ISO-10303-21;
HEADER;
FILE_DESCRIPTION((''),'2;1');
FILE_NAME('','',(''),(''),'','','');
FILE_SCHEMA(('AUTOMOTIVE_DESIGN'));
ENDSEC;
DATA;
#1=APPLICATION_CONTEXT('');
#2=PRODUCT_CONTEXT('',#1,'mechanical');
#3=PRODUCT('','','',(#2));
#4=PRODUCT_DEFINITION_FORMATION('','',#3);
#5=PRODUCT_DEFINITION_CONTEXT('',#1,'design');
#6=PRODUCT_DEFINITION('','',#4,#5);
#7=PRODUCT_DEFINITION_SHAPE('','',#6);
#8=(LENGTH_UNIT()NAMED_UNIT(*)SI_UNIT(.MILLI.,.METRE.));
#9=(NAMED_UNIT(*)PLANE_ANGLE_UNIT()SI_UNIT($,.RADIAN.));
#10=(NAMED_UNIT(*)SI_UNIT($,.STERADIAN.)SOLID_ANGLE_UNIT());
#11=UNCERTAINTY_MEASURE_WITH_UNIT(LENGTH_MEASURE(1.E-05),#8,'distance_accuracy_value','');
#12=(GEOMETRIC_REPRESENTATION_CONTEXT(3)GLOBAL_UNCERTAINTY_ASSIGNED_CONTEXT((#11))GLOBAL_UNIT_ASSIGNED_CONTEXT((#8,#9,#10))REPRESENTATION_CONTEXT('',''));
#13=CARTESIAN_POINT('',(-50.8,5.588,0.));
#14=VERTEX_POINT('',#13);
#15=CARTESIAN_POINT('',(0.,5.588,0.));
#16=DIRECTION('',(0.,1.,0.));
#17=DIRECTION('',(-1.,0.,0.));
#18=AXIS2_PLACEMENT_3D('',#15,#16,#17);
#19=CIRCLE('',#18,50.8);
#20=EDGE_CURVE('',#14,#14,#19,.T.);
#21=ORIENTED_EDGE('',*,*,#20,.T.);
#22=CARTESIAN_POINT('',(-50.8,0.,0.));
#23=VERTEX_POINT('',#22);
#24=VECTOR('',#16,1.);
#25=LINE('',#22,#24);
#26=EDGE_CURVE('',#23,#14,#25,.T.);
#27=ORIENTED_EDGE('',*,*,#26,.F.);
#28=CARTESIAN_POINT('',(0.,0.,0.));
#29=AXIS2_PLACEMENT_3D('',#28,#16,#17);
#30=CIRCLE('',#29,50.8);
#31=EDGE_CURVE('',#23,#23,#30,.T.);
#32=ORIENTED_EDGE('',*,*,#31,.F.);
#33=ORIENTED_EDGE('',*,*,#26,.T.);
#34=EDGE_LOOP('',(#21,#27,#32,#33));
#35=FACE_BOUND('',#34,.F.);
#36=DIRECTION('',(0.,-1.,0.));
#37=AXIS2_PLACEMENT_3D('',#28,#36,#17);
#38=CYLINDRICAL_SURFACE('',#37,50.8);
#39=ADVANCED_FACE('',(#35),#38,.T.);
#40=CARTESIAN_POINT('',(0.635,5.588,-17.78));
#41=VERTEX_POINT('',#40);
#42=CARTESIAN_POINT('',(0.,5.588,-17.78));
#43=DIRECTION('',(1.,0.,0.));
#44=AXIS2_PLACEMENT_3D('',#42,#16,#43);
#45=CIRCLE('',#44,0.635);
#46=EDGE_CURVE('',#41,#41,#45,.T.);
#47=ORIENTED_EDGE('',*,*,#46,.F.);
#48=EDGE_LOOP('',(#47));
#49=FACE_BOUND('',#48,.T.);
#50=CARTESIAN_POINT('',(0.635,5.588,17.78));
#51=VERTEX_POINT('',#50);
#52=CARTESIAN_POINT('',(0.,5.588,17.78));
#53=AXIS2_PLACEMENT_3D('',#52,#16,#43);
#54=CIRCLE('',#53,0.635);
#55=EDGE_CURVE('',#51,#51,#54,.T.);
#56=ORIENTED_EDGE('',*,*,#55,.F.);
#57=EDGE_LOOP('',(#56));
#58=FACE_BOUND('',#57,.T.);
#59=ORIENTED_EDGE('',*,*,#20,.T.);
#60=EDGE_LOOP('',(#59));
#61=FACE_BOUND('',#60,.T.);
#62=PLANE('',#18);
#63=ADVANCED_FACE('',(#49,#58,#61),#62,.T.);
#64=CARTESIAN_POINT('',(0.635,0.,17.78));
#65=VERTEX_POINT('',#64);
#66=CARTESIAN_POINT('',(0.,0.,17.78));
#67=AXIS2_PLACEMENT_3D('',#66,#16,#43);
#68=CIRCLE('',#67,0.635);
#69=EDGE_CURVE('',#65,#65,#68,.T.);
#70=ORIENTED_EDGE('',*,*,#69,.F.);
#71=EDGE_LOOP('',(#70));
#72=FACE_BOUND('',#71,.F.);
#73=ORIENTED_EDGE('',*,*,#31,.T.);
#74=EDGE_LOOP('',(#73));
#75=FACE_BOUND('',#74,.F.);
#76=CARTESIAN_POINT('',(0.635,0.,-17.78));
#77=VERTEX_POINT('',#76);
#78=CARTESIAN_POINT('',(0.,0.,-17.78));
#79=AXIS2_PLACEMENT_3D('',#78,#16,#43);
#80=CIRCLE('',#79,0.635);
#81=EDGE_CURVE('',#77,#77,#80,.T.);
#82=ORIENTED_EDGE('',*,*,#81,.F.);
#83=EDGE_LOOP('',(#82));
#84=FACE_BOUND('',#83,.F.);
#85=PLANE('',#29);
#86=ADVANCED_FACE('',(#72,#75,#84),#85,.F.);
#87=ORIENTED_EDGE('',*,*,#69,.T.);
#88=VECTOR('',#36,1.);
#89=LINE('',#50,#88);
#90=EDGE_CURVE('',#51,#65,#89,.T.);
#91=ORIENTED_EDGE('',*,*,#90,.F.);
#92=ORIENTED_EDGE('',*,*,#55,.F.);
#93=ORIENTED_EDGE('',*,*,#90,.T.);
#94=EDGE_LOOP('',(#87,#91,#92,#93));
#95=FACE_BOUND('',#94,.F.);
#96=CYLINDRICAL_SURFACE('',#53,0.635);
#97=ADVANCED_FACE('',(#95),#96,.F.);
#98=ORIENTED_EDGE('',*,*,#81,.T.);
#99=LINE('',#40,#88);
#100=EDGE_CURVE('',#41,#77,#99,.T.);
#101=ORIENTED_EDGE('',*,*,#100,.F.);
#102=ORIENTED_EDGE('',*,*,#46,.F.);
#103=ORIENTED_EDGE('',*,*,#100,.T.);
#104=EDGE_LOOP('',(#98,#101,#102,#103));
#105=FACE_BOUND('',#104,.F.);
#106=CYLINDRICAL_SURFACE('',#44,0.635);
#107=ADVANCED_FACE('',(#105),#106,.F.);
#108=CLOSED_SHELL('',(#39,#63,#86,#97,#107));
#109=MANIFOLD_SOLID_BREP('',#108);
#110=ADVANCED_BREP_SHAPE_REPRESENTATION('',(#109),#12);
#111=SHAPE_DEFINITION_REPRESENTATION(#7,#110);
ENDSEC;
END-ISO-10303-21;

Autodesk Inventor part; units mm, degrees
ref_plane "YZ Plane" through (0, 0, 0) normal (1, 0, 0) x (0, 1, 0)
ref_plane "XZ Plane" through (0, 0, 0) normal (0, 1, 0) x (-1, 0, 0)
ref_plane "XY Plane" through (0, 0, 0) normal (0, 0, 1) x (1, 0, 0)
sketch "Sketch1" plane through (0, 0, 0) normal (0, 1, 0) x (-1, 0, 0)
  circle A0 centre (0, 0) radius 50.8
  dimension "d0" = 101.6
extrude "Extrusion1" add sketch "Sketch1" along normal blind 5.588
sketch "Sketch2" plane through (0, 5.588, 0) normal (0, 1, 0) x (1, 0, 0)
  circle A0 centre (0, 17.78) radius 0.635
  point P0 (0, 0)
  dimension "d3" = 1.27
extrude "Extrusion2" cut sketch "Sketch2" against normal blind 5.588
sketch "Sketch3" plane through (0, 5.588, 0) normal (0, 1, 0) x (1, 0, 0)
  point P0 (0, 0)
sketch "Sketch4" plane through (0, 5.588, 0) normal (0, 1, 0) x (1, 0, 0)
  circle A0 centre (0, -17.78) radius 0.635
  point P0 (0, 0)
  dimension "d6" = 1.27
extrude "Extrusion3" cut sketch "Sketch4" against normal blind 5.588
properties part number "outerCup"
